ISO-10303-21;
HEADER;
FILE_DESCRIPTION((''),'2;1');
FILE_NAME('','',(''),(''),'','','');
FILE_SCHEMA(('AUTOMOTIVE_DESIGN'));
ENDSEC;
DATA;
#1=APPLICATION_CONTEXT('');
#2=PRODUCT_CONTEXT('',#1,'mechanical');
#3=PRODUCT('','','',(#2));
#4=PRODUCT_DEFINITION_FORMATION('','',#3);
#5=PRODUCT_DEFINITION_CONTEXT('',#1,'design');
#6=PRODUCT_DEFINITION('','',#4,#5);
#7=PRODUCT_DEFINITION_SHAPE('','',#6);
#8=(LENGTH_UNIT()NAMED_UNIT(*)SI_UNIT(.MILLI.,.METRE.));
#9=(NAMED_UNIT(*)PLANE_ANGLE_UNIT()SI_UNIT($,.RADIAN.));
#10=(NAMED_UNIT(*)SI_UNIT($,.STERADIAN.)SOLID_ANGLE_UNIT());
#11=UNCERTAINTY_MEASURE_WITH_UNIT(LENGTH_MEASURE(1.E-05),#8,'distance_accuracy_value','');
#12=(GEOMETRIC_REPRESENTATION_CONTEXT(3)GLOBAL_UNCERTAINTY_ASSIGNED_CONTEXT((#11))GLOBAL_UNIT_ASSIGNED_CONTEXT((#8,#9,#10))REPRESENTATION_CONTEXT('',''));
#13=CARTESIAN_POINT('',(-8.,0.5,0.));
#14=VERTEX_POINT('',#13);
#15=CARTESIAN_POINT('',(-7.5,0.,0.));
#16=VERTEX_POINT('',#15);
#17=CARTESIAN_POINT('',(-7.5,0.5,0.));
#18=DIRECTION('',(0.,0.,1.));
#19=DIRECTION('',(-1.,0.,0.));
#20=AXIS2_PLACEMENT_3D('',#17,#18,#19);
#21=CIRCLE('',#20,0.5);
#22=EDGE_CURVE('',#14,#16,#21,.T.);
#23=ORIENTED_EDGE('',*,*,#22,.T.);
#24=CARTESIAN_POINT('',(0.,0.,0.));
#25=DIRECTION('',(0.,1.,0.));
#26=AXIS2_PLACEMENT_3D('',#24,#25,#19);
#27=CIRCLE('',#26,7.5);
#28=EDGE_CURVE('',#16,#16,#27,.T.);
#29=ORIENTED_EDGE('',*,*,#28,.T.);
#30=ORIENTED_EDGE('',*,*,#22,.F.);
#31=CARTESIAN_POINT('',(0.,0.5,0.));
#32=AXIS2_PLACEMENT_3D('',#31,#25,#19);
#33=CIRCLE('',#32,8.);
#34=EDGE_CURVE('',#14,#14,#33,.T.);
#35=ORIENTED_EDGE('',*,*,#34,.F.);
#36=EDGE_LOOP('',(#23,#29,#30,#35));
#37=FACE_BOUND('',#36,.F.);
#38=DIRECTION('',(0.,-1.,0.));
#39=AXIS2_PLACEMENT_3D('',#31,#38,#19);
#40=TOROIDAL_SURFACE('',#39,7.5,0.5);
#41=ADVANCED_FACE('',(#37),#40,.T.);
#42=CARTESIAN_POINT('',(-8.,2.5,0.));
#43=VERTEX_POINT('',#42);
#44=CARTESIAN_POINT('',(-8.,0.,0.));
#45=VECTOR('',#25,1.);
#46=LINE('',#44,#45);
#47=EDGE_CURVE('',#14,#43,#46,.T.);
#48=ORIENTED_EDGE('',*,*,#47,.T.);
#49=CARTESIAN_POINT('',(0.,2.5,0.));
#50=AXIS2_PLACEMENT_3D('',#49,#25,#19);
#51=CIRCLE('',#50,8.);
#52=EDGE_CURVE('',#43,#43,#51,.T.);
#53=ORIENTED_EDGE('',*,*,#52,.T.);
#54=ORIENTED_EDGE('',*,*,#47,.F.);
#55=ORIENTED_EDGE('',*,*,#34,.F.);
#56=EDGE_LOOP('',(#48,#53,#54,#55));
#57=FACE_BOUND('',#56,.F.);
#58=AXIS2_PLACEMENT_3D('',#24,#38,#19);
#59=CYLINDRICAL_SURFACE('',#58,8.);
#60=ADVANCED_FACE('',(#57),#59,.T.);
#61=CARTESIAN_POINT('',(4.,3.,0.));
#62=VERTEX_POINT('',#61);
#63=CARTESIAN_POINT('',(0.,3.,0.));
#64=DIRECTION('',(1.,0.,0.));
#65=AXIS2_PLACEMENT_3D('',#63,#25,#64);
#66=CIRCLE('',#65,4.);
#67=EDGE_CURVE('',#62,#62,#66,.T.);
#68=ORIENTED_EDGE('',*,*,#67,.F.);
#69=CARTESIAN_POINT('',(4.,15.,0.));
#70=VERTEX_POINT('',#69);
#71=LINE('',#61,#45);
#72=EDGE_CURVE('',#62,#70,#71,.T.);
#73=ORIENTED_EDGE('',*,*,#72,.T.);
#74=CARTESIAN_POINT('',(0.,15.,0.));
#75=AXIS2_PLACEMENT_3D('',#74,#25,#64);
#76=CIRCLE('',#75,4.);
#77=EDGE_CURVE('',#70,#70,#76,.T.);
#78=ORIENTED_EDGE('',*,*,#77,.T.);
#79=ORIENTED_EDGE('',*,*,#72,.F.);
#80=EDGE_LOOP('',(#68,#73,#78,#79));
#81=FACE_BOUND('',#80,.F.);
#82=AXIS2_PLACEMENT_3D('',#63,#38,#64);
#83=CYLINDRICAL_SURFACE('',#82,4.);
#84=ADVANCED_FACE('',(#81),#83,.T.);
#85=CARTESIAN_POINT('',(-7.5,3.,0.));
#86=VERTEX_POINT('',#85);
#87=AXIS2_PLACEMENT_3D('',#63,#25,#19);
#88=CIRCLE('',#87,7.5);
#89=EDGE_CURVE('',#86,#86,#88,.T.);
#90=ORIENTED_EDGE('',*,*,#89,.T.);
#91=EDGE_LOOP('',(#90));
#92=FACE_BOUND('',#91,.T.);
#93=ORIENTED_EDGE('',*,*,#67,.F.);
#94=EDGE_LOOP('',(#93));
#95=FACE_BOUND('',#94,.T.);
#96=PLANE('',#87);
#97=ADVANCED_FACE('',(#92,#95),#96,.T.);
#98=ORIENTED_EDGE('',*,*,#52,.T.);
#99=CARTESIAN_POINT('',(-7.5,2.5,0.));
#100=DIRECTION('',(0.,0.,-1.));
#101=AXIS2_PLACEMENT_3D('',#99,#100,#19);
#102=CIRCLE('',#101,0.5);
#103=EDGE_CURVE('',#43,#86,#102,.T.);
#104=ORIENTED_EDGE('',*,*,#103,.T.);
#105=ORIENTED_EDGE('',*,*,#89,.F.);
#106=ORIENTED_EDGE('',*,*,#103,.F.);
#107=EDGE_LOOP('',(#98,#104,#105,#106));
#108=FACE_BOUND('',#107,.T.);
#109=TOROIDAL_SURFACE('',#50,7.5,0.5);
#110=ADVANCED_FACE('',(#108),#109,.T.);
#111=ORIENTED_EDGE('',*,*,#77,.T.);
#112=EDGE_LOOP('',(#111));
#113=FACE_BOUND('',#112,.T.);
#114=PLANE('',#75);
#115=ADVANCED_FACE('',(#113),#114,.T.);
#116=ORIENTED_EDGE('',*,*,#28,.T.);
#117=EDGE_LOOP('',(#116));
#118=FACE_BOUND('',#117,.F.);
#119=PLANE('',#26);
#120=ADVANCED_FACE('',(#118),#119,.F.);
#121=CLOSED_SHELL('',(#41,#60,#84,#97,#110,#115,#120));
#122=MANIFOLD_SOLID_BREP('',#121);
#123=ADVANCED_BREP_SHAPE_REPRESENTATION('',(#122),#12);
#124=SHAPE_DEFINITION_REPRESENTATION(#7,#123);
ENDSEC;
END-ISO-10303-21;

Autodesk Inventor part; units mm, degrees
ref_plane "YZ Plane" through (0, 0, 0) normal (1, 0, 0) x (0, 1, 0)
ref_plane "XZ Plane" through (0, 0, 0) normal (0, 1, 0) x (-1, 0, 0)
ref_plane "XY Plane" through (0, 0, 0) normal (0, 0, 1) x (1, 0, 0)
sketch "Sketch1" plane through (0, 0, 0) normal (0, 1, 0) x (-1, 0, 0)
  circle A0 centre (0, 0) radius 8
  dimension "d0" = 16
extrude "Extrusion1" add sketch "Sketch1" along normal blind 3
sketch "Sketch2" plane through (0, 3, 0) normal (0, 1, 0) x (1, 0, 0)
  circle A0 centre (0, 0) radius 4
  dimension "d3" = 8
extrude "Extrusion2" add sketch "Sketch2" along normal blind 12
fillet "Fillet1" radius 0.5 2 edges at (8, 3, 0) (8, 0, 0)
thread "Thread2" size "M8x1.25" class "6g" standard "ANSI Metric M Profile" full length
properties part number "M3_12mm"
